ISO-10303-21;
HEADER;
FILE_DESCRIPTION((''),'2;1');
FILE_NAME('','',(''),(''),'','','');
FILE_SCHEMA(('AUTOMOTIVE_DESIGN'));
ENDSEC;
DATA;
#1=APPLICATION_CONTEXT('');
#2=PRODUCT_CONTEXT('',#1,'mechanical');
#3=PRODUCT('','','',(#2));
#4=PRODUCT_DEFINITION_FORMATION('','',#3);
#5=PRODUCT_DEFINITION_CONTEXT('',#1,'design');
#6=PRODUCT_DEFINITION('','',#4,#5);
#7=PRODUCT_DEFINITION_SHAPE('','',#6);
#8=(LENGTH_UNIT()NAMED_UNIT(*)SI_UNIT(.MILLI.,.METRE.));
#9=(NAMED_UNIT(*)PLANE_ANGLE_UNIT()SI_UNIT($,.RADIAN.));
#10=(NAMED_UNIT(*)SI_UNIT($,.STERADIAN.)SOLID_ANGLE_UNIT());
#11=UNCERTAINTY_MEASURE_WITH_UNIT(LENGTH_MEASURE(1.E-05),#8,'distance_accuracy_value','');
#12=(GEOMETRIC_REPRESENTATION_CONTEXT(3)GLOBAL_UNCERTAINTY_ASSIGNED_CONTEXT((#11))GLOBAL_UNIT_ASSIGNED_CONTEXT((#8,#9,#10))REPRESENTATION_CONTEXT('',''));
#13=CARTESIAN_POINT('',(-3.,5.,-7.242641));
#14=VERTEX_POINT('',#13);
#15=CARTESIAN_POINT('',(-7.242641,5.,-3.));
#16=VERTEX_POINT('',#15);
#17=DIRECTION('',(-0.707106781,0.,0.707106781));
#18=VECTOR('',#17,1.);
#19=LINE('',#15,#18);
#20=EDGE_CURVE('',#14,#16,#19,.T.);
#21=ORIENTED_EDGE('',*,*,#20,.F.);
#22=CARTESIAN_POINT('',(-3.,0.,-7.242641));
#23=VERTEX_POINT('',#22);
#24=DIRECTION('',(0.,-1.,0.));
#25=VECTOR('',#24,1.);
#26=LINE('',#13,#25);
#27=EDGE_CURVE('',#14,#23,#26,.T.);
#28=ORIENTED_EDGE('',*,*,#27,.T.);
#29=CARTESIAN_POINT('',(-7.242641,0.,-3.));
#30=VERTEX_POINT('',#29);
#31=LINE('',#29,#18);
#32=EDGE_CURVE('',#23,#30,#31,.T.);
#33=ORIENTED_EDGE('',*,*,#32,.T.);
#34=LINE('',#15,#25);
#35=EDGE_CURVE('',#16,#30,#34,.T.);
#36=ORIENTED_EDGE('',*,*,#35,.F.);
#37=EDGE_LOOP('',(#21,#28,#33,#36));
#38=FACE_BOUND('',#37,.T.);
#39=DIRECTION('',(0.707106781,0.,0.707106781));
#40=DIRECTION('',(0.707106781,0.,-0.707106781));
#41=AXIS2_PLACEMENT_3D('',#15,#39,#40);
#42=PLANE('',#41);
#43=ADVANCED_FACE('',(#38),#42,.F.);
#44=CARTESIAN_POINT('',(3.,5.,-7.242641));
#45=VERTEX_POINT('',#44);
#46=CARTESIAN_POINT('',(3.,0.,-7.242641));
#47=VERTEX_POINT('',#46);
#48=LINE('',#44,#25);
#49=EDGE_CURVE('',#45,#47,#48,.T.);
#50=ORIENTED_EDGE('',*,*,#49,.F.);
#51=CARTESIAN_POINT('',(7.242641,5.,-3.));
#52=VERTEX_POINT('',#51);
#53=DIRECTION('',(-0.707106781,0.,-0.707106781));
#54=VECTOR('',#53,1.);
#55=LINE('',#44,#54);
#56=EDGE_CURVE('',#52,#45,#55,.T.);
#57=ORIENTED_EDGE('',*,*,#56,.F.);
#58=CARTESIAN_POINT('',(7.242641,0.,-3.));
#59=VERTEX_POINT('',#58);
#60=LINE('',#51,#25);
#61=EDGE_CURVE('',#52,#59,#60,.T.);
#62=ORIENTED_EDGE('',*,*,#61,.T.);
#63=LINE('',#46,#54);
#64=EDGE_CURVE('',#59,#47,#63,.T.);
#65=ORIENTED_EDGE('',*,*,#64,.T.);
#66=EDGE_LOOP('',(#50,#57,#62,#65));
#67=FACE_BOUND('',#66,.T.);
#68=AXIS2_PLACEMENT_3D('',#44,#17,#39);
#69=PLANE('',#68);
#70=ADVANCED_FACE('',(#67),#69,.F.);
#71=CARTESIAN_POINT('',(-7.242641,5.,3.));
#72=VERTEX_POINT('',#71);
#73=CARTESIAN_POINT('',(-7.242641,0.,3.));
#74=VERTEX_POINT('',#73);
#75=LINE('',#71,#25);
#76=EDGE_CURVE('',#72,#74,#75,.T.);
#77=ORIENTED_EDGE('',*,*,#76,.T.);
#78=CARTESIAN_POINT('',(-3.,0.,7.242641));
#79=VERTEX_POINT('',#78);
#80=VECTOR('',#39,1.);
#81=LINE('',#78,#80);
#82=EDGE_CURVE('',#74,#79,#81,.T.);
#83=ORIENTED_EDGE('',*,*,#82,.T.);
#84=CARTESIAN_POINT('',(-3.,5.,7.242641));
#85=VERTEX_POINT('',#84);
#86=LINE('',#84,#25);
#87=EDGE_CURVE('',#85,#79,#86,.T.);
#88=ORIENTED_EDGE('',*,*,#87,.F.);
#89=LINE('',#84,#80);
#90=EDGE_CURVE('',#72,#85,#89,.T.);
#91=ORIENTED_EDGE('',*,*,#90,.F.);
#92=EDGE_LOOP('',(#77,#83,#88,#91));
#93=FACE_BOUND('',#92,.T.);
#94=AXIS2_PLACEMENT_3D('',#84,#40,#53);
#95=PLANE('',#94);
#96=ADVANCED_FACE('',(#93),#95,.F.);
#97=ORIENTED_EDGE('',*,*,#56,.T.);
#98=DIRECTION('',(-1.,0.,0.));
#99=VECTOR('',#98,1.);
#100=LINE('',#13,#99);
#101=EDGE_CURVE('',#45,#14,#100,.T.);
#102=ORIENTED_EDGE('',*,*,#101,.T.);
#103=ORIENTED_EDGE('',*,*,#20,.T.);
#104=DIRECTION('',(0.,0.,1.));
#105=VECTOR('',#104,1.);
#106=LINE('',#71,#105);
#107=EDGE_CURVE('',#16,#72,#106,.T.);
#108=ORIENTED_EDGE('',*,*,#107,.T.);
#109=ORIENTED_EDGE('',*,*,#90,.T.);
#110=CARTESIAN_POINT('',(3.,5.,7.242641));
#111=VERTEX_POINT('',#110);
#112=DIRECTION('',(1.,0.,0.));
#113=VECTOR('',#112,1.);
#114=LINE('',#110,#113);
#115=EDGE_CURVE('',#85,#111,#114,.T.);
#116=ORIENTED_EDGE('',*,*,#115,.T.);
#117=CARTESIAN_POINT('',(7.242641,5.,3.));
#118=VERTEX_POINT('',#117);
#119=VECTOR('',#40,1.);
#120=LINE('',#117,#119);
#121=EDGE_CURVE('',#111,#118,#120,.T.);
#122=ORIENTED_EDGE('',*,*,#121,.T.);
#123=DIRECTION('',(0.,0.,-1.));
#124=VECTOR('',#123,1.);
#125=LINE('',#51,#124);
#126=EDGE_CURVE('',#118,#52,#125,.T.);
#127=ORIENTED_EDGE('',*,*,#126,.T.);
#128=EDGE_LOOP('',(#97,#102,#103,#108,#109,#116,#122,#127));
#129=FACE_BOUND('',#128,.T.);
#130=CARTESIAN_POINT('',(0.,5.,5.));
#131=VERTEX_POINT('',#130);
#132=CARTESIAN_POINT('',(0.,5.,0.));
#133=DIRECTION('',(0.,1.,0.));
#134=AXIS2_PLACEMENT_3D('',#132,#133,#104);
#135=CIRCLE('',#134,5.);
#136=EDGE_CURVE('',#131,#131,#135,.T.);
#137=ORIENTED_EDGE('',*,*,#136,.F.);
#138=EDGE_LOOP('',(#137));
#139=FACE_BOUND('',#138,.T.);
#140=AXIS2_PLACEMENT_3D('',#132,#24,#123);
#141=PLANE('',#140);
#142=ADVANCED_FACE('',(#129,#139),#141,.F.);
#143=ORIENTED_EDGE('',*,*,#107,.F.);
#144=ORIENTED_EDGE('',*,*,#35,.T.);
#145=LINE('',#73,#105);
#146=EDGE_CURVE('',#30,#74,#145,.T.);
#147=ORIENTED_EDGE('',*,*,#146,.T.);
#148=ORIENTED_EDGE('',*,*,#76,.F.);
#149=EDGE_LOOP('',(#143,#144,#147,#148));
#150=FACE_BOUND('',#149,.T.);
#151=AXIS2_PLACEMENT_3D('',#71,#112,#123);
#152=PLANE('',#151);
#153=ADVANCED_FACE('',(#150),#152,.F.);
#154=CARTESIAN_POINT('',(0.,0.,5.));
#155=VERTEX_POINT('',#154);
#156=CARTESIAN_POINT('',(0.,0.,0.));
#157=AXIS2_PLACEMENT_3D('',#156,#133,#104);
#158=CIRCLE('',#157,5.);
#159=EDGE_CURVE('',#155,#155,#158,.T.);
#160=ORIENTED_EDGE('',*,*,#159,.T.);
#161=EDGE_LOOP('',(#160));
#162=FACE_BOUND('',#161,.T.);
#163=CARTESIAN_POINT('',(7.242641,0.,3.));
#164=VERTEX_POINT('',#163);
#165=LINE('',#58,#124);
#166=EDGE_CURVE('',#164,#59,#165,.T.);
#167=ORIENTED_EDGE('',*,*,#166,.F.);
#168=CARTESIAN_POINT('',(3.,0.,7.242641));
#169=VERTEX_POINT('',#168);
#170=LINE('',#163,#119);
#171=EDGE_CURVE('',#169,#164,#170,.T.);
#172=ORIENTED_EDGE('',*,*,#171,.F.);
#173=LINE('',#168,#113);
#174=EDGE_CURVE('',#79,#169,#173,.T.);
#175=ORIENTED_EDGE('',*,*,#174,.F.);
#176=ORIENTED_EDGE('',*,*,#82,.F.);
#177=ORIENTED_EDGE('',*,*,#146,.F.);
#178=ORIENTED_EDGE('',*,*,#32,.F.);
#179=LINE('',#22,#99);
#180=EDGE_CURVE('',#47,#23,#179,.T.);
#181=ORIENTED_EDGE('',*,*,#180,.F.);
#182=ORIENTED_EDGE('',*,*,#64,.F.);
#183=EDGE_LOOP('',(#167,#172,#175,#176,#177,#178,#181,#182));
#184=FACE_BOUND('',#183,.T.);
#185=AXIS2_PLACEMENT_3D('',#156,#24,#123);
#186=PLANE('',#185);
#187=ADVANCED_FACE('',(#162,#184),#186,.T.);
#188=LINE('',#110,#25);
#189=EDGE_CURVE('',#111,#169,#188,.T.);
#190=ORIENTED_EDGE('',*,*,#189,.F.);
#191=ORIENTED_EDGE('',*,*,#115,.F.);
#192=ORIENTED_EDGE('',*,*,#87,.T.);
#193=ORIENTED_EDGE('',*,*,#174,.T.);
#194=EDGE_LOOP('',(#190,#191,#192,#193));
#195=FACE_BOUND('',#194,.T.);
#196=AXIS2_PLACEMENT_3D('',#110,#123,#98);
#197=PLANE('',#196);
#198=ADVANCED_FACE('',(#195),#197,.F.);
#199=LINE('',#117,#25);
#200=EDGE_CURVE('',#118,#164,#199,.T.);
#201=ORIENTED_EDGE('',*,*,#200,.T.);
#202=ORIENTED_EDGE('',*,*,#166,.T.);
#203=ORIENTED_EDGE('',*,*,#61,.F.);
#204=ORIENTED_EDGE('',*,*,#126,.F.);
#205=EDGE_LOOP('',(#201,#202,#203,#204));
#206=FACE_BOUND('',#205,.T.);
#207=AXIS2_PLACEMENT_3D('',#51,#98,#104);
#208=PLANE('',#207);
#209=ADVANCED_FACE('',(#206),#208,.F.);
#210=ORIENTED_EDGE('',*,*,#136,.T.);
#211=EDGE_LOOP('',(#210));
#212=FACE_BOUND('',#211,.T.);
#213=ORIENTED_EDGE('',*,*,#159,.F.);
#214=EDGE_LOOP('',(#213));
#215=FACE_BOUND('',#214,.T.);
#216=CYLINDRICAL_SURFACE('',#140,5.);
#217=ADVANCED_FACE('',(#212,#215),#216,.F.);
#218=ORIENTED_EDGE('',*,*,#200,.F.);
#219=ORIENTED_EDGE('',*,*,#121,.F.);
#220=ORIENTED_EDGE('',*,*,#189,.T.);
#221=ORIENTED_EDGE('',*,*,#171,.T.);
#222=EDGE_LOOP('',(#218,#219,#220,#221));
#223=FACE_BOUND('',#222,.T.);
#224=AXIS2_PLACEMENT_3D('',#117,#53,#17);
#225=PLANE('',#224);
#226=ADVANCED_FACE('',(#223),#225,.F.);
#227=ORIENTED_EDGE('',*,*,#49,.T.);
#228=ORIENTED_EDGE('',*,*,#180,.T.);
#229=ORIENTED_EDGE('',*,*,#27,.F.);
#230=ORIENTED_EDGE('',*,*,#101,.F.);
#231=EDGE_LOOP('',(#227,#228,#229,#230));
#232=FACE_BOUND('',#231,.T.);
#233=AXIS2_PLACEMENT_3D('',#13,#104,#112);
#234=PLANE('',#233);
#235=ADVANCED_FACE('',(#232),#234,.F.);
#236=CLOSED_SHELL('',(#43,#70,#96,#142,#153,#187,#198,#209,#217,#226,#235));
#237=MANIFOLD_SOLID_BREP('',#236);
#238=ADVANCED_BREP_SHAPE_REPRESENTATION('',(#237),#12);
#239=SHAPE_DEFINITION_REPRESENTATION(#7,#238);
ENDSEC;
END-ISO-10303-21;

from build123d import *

# Parameters (mm, degrees)
ESBO_O1_R                = 5
RESSALTO_EXTRUS_O1_DEPTH = 5


with BuildPart() as part:
    # Esboço1 → Ressalto-extrusão1 (new body)
    with BuildSketch(Plane(origin=(0, 0, 0), x_dir=(1, 0, 0), z_dir=(0, 1, 0))):
        Polygon((-3, 7.242640687), (3, 7.242640687), (7.242640687, 3), (7.242640687, -3), (3, -7.242640687), (-3, -7.242640687), (-7.242640687, -3), (-7.242640687, 3), align=None)
        with Locations(Location((0, 0, 0), (0, 0, 270))):
            Circle(ESBO_O1_R, mode=Mode.SUBTRACT)
    extrude(amount=RESSALTO_EXTRUS_O1_DEPTH)


solid = part.part
